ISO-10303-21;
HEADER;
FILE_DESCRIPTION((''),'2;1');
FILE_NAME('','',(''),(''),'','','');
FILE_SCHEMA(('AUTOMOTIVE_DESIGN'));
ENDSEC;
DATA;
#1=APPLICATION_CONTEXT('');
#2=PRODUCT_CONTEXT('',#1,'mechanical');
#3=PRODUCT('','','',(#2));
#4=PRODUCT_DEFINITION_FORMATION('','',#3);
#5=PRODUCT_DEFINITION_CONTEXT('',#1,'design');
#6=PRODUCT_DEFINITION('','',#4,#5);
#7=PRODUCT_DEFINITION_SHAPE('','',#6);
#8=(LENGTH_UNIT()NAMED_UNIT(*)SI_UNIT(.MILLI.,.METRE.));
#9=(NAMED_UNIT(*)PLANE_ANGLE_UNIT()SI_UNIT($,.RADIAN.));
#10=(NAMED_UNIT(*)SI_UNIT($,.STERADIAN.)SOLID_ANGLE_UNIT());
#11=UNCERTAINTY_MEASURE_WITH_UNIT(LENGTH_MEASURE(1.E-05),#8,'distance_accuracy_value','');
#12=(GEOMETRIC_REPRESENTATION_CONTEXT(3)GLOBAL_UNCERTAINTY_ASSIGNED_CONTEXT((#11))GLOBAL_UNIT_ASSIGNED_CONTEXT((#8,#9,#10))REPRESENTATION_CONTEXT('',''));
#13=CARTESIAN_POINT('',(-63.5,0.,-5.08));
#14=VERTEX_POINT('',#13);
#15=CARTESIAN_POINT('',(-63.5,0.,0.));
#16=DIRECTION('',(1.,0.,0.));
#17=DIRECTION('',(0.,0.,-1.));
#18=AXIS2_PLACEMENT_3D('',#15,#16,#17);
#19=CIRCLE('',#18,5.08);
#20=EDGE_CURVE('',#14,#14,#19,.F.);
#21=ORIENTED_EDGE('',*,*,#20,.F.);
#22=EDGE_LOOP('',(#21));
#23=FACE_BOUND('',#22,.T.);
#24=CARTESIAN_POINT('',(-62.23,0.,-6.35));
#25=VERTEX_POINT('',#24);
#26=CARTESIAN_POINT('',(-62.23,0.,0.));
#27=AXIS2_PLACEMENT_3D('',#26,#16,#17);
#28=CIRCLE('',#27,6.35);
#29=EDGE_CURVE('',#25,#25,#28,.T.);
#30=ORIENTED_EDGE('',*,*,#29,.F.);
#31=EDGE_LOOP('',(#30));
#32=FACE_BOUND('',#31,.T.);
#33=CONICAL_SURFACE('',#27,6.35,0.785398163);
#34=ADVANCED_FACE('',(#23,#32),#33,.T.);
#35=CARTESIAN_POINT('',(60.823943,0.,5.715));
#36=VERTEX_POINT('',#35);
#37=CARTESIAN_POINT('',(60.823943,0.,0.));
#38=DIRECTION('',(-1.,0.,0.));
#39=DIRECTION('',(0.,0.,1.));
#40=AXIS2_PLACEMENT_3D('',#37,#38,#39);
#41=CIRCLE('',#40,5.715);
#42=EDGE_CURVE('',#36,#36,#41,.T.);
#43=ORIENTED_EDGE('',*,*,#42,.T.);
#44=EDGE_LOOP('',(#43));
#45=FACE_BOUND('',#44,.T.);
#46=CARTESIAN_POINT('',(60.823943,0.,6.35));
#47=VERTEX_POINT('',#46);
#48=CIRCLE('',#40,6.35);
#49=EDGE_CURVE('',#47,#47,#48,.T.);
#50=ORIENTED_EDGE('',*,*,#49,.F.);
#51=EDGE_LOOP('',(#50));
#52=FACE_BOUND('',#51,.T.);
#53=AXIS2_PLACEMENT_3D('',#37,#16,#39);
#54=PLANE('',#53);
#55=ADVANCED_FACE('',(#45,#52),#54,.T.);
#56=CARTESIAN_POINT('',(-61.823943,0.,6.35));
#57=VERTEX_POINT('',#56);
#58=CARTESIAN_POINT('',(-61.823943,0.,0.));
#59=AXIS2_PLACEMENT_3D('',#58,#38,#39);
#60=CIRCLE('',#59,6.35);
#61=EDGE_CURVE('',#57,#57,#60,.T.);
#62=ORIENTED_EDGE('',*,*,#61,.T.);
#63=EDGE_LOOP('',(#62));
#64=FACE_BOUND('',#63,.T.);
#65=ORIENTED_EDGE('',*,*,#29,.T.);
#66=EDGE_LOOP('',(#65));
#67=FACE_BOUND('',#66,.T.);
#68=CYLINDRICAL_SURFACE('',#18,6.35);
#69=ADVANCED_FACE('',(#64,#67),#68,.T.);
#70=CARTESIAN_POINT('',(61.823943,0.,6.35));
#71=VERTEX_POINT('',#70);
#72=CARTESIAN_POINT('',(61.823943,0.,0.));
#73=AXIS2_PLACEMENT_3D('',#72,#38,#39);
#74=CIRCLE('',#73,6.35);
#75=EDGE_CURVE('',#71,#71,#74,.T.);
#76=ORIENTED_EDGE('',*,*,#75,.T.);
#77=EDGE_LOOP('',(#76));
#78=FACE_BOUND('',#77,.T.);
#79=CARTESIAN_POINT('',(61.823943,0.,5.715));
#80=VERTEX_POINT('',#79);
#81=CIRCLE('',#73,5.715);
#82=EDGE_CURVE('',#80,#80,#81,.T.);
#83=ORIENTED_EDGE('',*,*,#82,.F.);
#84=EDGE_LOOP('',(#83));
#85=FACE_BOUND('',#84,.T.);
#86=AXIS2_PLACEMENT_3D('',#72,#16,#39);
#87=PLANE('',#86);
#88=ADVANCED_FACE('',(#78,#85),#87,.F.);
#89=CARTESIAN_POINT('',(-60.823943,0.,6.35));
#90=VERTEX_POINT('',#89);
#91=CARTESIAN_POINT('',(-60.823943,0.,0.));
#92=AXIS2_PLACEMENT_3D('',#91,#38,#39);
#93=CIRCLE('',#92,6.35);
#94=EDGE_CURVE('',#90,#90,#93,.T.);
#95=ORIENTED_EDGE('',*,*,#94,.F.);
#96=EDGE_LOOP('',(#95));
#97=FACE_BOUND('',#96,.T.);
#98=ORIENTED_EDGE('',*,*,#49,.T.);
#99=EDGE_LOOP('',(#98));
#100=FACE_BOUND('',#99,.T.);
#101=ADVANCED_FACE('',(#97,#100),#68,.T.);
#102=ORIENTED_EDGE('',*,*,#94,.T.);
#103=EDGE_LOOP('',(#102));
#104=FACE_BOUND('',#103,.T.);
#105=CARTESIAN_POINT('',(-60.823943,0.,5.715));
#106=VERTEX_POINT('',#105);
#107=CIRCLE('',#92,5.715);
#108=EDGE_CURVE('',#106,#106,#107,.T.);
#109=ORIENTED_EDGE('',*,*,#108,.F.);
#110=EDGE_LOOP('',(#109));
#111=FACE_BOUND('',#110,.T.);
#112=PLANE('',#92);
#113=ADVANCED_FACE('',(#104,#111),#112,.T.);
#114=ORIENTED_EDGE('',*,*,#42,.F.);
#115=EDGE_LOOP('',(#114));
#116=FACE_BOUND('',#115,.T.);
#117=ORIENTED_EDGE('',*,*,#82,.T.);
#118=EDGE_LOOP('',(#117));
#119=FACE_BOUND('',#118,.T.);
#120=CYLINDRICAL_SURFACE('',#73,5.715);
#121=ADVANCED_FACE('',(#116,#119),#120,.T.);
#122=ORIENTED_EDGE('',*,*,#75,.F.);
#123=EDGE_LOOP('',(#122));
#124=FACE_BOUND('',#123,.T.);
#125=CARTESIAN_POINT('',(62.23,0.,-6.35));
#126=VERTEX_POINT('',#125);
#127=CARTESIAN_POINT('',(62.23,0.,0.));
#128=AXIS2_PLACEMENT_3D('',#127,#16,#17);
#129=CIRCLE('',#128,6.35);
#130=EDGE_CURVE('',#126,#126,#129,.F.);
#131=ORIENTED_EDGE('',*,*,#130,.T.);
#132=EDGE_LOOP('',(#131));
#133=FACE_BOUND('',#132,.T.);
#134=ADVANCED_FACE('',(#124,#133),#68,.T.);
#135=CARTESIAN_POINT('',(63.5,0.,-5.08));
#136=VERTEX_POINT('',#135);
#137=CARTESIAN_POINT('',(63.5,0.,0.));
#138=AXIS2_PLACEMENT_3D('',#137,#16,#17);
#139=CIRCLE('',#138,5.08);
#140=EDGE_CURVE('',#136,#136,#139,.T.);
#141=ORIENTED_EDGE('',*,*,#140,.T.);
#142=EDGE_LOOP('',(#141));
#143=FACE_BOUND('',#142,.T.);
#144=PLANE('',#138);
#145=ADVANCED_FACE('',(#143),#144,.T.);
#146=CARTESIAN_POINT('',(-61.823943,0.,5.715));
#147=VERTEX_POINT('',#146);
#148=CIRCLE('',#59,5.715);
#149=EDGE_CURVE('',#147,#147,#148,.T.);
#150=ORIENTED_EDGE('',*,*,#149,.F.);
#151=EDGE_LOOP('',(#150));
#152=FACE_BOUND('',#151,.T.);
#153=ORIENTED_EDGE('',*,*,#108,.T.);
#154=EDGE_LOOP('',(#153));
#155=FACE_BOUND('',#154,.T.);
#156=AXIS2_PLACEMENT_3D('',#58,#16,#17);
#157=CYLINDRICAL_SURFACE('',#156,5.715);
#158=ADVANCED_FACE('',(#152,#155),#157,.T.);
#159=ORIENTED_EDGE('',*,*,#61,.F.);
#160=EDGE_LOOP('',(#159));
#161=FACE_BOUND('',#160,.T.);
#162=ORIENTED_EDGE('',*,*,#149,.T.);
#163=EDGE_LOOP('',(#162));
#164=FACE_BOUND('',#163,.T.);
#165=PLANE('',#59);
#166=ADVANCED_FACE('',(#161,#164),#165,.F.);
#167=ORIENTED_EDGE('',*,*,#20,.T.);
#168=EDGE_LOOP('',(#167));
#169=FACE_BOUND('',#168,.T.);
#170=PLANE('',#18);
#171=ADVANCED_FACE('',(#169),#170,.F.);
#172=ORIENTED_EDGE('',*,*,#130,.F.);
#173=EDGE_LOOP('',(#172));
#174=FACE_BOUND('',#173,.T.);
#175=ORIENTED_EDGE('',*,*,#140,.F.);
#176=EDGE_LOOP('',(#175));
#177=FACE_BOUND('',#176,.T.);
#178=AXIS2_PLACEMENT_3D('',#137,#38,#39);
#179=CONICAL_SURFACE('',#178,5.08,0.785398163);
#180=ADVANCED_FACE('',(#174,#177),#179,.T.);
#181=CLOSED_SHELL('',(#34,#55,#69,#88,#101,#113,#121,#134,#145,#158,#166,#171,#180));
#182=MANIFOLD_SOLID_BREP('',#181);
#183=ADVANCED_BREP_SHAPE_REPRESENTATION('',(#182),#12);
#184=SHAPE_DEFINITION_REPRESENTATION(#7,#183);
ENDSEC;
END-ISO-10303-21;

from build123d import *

# Parameters (mm, degrees)
SKETCH2_R           = 6.35
EXTRUDE1_DEPTH      = 63.5
EXTRUDE1_DEPTH_BACK = 63.5
CHAMFER1_SIZE       = 1.27
CUT_EXTRUDE1_START  = 0.5
SKETCH3_R           = 6.35
SKETCH3_R_2         = 5.715
CUT_EXTRUDE1_DEPTH  = 1


with BuildPart() as part:
    # Sketch2 → Extrude1 (new body, two sides)
    with BuildSketch(Plane(origin=(0, 0, 0), x_dir=(0, 0, -1), z_dir=(1, 0, 0))) as extrude1_sk:
        Circle(SKETCH2_R)
    extrude(amount=EXTRUDE1_DEPTH)
    extrude(extrude1_sk.sketch, amount=-EXTRUDE1_DEPTH_BACK)

    # Chamfer1
    chamfer1_edges = [part.edges().sort_by_distance(p)[0] for p in [
        (-63.5, 0, 6.35),
        (63.5, 0, 6.35),
    ]]
    chamfer(chamfer1_edges, length=CHAMFER1_SIZE)

    # Sketch3 → Cut-Extrude1 (cut)
    with BuildSketch(Plane.ZY.offset(60.323942702).offset(CUT_EXTRUDE1_START)):
        Circle(SKETCH3_R)
        Circle(SKETCH3_R_2, mode=Mode.SUBTRACT)
    cut_extrude1 = extrude(amount=CUT_EXTRUDE1_DEPTH, mode=Mode.SUBTRACT)

    # Mirror1: Cut-Extrude1 across plane
    add(cut_extrude1.mirror(Plane(origin=(0, 0, 0), x_dir=(0, 0, 1), z_dir=(1, 0, 0))), mode=Mode.SUBTRACT)


solid = part.part
